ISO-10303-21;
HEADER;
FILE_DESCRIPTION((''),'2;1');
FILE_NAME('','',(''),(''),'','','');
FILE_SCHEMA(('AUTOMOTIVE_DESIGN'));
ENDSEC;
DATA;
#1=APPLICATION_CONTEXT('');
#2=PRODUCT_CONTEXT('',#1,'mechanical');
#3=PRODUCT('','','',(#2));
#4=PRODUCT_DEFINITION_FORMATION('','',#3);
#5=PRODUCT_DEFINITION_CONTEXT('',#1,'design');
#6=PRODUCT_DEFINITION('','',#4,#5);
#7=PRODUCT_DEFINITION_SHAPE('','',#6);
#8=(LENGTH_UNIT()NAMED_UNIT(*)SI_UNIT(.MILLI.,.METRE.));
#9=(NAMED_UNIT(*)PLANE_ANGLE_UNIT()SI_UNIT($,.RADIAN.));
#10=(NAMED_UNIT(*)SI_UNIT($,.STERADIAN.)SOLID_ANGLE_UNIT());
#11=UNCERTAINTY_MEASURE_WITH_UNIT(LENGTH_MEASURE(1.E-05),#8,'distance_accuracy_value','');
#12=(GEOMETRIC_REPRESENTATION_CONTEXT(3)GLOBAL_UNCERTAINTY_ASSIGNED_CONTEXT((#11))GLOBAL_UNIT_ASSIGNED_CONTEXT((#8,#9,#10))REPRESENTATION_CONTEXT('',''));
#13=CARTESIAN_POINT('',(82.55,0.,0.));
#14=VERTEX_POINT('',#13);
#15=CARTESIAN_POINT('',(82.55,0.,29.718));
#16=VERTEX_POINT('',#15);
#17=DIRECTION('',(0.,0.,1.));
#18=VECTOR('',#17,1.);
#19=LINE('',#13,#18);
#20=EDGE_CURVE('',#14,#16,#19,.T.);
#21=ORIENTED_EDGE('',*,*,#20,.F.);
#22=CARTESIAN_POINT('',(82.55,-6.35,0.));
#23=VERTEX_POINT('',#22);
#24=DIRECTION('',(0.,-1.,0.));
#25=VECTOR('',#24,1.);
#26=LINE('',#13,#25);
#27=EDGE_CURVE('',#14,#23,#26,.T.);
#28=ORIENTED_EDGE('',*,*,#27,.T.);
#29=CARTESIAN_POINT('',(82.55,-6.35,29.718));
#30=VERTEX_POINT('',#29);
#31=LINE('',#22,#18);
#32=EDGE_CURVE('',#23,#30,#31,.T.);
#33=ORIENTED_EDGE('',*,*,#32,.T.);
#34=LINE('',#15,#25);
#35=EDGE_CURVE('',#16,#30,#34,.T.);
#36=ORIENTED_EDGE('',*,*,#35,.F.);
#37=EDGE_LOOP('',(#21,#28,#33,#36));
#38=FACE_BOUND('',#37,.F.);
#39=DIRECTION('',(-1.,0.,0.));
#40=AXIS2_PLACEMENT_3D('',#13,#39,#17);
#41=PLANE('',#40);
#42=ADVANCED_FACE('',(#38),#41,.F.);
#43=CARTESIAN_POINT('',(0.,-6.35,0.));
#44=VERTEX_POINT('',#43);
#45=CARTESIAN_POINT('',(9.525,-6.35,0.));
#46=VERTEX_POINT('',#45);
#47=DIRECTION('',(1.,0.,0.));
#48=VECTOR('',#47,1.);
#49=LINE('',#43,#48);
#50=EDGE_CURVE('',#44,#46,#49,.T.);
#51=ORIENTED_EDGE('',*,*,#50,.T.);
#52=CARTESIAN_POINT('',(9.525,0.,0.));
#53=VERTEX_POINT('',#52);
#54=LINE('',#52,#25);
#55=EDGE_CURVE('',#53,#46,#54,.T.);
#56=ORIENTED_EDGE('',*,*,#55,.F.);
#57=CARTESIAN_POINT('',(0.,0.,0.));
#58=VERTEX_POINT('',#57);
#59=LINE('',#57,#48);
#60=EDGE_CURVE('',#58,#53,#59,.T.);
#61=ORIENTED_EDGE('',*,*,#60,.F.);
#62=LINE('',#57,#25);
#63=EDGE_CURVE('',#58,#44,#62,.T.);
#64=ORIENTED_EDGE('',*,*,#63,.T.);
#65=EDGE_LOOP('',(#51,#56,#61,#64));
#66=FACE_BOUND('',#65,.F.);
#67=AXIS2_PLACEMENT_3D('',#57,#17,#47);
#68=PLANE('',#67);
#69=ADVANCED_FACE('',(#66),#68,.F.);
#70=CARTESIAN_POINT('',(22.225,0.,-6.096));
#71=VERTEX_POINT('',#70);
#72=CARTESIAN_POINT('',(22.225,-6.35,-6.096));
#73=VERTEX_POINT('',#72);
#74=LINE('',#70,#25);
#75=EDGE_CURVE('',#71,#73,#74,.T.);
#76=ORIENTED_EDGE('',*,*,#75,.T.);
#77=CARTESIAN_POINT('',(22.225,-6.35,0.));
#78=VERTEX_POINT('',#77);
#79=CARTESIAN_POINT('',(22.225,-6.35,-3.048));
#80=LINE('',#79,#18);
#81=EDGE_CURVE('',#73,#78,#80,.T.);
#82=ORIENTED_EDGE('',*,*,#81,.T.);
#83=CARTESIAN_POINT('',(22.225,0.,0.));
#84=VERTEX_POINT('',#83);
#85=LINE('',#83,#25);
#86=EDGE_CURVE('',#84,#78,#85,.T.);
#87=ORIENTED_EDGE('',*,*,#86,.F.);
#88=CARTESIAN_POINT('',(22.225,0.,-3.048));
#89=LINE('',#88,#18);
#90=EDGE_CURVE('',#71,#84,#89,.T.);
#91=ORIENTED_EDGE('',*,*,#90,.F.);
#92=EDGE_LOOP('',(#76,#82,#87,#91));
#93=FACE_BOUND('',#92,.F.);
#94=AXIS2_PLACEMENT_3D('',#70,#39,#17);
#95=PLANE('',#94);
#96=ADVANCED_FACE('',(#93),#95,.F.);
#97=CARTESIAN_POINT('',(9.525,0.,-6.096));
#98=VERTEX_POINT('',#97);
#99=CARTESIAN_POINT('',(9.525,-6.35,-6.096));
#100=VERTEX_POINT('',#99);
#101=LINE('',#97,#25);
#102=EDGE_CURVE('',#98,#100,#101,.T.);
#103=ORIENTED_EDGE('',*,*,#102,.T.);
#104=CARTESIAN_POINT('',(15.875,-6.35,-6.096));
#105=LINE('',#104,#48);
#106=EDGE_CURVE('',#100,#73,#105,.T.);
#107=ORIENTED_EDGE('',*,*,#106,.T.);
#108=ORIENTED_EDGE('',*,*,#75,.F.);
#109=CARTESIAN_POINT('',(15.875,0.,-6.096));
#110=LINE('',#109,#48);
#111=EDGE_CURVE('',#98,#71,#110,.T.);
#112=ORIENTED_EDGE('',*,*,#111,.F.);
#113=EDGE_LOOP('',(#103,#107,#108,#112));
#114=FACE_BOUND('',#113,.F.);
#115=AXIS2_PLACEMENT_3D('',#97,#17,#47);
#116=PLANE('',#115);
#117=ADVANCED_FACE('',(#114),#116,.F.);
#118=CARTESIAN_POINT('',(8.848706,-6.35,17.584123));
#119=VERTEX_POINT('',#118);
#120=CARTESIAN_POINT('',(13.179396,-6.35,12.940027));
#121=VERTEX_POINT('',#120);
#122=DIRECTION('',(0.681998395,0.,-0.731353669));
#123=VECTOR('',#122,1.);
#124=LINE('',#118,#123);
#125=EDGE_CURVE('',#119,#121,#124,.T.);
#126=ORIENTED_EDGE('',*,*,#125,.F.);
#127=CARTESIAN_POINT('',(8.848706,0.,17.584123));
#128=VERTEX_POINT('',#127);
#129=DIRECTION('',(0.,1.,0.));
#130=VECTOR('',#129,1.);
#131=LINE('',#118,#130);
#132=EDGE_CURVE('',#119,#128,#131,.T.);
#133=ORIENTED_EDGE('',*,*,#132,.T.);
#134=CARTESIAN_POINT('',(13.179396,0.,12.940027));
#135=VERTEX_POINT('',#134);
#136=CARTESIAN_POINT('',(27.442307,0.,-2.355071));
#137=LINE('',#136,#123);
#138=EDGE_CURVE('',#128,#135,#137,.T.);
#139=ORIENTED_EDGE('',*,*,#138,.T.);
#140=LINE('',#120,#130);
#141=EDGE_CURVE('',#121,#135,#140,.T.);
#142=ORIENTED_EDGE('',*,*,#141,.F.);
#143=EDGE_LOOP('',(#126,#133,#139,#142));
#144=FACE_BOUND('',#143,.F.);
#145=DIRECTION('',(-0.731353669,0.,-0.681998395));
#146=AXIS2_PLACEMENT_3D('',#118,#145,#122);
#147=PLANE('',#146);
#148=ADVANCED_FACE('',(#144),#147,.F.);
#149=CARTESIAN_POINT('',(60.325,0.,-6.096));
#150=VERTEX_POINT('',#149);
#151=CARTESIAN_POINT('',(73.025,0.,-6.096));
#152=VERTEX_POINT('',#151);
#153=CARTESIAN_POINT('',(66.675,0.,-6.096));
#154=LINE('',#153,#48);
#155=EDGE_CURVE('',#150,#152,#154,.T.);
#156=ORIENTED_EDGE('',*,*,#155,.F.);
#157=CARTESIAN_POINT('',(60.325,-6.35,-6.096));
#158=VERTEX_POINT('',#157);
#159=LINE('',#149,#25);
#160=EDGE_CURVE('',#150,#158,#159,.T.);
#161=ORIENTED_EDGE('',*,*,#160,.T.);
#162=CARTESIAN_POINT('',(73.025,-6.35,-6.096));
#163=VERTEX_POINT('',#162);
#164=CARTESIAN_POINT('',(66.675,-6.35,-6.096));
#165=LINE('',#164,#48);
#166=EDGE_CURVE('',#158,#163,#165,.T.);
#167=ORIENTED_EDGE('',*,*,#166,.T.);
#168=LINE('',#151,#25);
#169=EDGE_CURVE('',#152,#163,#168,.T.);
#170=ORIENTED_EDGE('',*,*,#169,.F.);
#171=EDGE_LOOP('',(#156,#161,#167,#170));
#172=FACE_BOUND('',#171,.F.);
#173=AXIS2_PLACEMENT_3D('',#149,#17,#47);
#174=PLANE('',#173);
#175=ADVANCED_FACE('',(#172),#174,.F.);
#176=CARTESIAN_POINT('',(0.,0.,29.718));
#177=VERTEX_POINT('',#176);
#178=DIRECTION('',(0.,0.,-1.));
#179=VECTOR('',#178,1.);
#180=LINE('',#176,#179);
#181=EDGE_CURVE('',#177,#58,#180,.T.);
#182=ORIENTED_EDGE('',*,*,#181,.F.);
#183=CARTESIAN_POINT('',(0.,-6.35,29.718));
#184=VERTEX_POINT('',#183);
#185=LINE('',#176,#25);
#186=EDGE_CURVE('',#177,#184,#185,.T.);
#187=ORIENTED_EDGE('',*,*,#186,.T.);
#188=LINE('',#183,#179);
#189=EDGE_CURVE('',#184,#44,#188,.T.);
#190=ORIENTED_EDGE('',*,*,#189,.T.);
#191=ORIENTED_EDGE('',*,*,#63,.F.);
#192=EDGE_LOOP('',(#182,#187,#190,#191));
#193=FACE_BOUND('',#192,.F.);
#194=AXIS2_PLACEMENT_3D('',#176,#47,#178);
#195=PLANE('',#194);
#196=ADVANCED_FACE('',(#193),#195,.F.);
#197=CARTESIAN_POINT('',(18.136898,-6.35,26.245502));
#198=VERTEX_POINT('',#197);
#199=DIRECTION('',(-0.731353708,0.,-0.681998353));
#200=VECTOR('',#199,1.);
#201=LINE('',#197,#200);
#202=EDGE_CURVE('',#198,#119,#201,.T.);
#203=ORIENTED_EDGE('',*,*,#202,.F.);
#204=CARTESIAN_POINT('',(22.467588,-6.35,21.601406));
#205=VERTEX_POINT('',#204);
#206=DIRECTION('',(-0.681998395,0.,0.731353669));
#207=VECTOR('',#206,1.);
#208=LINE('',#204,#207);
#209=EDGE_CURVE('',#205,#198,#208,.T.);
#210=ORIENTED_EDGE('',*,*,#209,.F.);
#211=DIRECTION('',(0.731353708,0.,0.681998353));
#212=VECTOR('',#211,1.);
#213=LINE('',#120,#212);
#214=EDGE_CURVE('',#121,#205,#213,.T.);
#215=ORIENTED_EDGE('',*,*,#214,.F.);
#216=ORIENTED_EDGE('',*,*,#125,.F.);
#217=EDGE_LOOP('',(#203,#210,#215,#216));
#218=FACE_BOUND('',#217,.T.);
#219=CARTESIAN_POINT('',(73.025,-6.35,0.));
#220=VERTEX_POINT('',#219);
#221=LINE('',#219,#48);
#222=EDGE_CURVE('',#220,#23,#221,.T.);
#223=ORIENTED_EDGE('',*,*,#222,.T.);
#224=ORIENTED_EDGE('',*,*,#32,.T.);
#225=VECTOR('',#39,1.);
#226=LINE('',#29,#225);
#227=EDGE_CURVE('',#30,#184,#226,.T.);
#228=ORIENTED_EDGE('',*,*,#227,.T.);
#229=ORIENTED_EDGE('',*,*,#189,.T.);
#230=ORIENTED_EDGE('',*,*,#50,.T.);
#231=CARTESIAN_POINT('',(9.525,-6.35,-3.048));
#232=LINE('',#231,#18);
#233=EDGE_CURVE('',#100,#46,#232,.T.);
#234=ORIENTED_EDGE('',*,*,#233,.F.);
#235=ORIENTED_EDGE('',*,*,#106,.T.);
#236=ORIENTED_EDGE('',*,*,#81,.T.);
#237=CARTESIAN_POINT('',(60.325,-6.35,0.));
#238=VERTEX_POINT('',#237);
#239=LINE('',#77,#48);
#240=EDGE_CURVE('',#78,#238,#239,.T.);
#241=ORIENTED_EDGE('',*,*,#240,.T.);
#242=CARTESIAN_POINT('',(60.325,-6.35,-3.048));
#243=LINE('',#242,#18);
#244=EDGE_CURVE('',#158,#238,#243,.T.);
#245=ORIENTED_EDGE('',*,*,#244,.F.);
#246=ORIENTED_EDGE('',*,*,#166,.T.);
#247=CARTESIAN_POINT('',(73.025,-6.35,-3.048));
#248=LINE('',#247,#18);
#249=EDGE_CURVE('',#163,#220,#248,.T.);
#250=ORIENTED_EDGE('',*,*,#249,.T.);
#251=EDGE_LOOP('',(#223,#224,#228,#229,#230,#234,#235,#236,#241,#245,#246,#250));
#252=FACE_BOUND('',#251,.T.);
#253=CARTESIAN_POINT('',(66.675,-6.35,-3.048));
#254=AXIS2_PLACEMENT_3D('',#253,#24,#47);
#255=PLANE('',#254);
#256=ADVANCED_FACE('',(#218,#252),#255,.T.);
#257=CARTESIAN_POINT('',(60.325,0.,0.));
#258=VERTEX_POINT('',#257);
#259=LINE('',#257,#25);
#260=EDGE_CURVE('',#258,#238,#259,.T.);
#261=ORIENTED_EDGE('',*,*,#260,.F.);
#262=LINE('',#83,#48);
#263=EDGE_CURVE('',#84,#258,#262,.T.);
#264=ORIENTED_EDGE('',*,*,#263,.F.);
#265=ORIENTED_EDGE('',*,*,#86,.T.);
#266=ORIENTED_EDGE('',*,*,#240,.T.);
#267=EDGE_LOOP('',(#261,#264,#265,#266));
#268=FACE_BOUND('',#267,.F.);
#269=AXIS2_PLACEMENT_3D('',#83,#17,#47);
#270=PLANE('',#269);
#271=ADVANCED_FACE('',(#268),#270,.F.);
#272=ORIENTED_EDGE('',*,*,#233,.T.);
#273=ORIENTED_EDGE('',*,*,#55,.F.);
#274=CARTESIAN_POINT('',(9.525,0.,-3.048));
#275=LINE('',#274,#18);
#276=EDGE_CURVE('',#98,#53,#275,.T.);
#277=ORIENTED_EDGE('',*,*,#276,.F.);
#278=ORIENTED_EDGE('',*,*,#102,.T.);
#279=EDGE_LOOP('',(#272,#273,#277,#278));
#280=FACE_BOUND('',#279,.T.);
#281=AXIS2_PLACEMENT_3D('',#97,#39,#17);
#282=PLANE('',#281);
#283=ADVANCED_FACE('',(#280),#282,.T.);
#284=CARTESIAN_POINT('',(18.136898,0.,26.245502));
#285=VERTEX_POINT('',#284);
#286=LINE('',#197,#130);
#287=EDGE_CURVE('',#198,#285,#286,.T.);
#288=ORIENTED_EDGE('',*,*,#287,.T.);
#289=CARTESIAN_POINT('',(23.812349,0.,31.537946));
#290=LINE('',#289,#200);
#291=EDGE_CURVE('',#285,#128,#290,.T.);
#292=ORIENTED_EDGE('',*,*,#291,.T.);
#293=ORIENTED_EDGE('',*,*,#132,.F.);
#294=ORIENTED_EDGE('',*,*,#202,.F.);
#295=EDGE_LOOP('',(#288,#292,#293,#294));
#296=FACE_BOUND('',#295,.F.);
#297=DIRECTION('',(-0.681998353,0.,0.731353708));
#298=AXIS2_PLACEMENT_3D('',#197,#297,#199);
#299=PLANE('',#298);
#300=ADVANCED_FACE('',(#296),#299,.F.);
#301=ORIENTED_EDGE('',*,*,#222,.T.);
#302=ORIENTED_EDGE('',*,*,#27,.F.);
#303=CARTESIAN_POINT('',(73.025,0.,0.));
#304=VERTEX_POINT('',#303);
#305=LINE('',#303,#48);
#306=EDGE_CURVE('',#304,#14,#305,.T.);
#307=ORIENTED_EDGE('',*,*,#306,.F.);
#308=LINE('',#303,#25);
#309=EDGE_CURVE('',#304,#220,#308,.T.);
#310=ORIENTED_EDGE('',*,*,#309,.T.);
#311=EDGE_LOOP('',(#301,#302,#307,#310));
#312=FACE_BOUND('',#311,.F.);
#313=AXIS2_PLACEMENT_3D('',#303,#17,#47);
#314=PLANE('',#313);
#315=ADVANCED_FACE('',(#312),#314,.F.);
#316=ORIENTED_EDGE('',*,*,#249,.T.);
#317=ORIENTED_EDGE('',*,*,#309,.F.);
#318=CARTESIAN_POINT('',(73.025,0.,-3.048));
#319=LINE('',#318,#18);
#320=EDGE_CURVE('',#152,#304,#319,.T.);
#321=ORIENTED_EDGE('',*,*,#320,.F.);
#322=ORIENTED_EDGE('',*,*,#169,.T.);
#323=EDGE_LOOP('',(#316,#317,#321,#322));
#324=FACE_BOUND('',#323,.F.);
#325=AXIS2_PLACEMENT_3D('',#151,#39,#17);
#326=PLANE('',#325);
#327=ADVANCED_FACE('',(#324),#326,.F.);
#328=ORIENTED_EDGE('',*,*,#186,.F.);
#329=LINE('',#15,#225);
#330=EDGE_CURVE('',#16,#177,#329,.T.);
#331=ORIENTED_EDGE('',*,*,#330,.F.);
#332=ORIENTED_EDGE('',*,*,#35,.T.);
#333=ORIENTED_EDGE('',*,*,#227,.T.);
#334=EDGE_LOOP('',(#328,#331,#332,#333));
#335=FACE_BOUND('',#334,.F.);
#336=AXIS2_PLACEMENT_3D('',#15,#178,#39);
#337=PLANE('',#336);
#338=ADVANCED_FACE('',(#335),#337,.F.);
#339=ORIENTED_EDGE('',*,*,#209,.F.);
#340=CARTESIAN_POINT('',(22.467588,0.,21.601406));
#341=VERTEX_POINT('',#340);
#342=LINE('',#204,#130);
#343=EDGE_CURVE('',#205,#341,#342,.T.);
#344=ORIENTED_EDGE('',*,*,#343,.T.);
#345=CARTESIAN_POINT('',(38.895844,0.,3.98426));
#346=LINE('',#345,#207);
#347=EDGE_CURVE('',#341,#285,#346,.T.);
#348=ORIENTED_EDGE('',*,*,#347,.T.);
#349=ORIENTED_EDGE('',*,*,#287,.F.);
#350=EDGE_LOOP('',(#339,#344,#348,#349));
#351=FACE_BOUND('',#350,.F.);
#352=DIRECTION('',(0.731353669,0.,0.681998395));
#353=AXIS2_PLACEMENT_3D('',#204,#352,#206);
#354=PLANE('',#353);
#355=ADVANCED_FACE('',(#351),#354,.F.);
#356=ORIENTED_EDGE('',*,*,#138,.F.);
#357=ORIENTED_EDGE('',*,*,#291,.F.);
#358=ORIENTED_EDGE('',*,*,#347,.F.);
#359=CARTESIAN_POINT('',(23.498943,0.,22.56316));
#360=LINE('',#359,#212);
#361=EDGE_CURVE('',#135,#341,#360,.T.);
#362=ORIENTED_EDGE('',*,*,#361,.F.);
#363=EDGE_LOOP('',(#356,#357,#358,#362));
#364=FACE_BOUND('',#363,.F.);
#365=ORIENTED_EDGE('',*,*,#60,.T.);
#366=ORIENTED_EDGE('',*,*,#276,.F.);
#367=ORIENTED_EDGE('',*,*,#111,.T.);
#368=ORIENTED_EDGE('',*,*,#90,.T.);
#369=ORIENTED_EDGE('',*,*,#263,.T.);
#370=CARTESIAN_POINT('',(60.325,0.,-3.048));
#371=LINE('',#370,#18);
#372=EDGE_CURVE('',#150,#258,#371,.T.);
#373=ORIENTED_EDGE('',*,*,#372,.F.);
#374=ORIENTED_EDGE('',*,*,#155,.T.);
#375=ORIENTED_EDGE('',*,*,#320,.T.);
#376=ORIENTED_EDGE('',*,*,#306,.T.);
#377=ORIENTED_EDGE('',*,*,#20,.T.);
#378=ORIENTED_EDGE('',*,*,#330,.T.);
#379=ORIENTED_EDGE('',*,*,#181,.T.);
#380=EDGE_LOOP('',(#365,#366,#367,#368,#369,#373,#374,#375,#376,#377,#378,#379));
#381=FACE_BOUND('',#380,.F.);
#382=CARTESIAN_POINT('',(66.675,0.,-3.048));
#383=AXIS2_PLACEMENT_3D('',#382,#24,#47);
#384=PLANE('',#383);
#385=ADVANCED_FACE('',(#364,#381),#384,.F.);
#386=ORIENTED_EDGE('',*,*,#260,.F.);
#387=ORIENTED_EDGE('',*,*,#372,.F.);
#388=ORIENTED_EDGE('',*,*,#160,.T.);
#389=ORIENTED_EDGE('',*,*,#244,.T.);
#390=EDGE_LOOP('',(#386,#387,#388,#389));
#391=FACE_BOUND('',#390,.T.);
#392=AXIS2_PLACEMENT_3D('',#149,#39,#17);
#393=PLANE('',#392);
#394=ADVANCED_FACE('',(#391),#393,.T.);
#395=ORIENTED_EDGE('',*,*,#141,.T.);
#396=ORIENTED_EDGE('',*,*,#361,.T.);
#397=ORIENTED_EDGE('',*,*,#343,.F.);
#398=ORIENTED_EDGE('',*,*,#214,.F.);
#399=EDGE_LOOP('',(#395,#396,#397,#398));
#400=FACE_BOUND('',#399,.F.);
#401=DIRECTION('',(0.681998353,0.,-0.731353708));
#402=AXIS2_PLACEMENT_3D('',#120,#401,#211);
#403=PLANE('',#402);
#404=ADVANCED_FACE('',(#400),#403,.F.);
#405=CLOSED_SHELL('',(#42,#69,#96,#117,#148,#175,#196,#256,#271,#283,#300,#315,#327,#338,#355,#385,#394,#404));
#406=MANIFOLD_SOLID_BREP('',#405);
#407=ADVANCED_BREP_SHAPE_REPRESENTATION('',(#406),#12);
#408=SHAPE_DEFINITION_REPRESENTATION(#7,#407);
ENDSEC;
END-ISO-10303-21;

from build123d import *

# Parameters (mm, degrees)
F0_W     = 12.7
F0_H     = 6.096
F1_DEPTH = 6.35
F3_DEPTH = 25.4


with BuildPart() as f1:
    # F0 (on Front) → F1 (new body)
    with BuildSketch(Plane.XZ):
        with Locations((66.675, -3.048)):
            Rectangle(F0_W, F0_H)
        with Locations((15.875, -3.048)):
            Rectangle(F0_W, F0_H)
        Polygon((0, 29.718), (0, 0), (9.525, 0), (22.225, 0), (60.325, 0), (73.025, 0), (82.55, 0), (82.55, 29.718), align=None)
    extrude(amount=F1_DEPTH)

    # F2 (on face) → F3 (cut)
    with BuildSketch(Plane.XZ.offset(6.35)):
        Polygon((22.467588, 21.601406), (18.136898, 26.245502), (8.848706, 17.584123), (13.179396, 12.940027), align=None)
    extrude(amount=-F3_DEPTH, mode=Mode.SUBTRACT)


solid = f1.part
